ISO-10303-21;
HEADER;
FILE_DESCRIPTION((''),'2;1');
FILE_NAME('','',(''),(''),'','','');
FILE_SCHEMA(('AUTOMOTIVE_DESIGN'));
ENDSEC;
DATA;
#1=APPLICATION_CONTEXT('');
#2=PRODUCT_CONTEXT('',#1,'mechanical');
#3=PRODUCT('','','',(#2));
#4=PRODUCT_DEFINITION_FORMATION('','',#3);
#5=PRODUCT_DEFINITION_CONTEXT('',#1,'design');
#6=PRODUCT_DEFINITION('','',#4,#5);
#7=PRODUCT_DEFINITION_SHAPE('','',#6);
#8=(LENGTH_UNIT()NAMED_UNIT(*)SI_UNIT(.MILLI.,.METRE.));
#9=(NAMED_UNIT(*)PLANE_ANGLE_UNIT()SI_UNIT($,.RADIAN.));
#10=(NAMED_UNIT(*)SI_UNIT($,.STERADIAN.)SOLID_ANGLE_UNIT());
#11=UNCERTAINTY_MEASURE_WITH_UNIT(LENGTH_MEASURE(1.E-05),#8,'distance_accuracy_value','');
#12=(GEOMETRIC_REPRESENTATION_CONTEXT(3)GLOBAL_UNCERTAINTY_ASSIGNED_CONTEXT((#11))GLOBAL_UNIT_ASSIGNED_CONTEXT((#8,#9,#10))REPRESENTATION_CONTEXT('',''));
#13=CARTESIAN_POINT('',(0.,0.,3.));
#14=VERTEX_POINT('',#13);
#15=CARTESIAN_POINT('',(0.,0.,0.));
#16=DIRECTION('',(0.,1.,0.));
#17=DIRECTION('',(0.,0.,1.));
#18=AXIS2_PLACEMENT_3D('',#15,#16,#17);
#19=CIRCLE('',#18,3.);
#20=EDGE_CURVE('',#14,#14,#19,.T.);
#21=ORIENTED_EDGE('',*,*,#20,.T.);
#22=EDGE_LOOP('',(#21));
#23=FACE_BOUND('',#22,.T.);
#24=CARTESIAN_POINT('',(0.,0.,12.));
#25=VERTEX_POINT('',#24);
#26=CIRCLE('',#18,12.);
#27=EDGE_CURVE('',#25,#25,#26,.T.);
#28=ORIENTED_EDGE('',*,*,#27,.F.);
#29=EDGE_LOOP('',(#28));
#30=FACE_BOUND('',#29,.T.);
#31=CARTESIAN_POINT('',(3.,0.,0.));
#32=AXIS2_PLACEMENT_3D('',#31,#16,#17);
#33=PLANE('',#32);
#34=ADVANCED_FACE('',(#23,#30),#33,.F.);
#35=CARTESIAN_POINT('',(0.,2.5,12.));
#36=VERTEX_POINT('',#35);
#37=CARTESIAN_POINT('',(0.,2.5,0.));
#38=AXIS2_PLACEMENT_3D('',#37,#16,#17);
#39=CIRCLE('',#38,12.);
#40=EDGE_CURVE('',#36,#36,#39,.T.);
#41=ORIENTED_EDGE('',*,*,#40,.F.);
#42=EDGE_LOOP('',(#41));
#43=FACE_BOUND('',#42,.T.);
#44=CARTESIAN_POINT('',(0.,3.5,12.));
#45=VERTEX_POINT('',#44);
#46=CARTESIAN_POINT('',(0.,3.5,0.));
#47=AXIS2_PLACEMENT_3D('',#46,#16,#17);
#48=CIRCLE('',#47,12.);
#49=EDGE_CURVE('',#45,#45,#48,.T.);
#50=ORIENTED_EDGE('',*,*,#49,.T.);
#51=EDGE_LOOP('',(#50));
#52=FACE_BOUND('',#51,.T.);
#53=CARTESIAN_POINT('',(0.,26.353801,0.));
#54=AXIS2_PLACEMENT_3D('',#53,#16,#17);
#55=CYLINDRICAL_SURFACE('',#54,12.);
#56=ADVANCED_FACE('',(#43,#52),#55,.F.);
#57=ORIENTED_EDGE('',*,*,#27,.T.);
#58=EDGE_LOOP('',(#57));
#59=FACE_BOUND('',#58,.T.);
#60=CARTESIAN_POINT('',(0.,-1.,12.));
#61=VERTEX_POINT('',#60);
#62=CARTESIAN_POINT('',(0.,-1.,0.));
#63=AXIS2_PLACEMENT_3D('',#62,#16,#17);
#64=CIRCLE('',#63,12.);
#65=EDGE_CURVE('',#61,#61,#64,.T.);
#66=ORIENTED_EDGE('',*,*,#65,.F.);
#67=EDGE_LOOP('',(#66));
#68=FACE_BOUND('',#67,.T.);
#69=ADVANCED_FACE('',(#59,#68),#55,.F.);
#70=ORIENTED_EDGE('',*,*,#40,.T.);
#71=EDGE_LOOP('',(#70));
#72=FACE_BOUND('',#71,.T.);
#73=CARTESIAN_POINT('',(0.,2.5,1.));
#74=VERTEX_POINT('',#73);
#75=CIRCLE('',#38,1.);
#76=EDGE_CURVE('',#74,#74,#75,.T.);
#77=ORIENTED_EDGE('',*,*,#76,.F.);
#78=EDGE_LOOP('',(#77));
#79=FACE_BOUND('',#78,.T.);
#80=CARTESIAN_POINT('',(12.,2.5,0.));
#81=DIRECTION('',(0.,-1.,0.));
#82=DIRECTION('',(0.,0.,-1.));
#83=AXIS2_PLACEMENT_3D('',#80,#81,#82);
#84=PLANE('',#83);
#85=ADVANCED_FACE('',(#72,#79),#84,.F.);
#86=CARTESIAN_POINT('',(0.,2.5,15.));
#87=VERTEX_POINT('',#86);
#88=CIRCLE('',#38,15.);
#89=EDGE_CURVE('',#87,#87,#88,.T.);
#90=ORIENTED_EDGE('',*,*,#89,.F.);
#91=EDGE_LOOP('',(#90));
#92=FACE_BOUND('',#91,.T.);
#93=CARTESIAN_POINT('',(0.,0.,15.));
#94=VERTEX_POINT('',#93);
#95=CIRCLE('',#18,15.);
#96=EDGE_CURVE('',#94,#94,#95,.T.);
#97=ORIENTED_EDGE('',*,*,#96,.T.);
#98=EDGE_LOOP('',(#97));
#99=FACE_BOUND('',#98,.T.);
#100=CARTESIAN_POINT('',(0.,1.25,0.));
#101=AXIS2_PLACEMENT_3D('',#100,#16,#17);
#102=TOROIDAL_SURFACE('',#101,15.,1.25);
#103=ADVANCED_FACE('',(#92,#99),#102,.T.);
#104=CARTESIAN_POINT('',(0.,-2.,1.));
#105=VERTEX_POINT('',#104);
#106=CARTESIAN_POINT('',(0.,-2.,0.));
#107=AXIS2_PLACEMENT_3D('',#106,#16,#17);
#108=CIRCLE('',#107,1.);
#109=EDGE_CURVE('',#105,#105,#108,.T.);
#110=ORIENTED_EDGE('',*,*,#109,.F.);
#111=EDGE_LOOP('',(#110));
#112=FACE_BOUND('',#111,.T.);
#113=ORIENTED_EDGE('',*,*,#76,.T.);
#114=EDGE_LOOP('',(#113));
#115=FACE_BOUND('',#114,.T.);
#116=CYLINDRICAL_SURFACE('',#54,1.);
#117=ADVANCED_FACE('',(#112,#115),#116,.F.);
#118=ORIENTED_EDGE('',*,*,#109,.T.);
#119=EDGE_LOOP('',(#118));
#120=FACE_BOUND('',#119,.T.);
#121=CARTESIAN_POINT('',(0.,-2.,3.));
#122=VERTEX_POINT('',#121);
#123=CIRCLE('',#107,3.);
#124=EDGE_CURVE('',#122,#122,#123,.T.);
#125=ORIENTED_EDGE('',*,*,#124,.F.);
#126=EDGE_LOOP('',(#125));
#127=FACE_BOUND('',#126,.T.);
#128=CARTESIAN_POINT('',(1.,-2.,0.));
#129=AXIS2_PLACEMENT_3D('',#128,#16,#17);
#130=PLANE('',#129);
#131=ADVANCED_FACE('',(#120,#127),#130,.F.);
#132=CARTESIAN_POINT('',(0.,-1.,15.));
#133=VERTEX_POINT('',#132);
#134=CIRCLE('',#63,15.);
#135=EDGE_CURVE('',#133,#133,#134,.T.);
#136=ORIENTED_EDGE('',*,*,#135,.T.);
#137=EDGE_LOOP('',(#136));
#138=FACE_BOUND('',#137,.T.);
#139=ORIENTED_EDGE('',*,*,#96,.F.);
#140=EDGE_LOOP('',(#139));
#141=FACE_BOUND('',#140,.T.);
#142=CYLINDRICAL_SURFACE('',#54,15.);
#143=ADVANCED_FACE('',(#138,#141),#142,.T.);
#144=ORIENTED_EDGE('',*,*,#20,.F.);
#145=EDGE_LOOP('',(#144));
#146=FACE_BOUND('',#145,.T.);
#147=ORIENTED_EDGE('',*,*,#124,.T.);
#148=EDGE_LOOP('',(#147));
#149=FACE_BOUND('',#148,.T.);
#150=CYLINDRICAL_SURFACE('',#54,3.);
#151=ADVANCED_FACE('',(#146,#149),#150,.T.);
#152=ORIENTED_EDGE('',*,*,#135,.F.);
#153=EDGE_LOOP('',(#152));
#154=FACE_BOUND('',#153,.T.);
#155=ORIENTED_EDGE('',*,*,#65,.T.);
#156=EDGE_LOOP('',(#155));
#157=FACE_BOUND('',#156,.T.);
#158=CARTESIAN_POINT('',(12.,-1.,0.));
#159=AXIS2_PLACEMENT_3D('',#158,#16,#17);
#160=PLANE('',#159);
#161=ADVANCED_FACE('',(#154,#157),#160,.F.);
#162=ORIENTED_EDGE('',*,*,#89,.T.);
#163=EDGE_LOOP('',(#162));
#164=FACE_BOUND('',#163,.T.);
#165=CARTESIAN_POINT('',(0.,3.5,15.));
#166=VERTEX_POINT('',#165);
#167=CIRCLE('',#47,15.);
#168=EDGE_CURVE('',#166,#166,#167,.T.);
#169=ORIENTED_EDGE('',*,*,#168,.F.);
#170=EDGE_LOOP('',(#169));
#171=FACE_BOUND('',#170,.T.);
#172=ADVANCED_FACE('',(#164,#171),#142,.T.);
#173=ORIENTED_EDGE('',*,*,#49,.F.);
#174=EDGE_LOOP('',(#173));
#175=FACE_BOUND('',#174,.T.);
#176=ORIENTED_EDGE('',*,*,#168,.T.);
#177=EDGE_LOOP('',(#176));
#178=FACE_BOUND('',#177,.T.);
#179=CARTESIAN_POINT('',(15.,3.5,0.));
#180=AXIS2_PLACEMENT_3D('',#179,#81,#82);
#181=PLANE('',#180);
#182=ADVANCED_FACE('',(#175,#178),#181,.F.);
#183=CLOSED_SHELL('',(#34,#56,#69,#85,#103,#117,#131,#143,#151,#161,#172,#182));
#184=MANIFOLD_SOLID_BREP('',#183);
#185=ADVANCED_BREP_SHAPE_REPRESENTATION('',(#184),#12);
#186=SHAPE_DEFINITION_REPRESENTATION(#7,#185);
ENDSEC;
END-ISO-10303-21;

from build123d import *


with BuildPart() as part:
    # Sketch1 → Revolve1 (revolve)
    with BuildSketch(Plane.XY, mode=Mode.PRIVATE) as revolve1_sk:
        with BuildLine():
            Line((1, -2), (1, 2.5))
            Line((1, 2.5), (12, 2.5))
            Line((12, 2.5), (12, 3.5))
            Line((12, 3.5), (15, 3.5))
            Line((15, 3.5), (15, 2.5))
            ThreePointArc((15, 2.5), (16.25, 1.25), (15, 0))
            Line((15, 0), (15, -1))
            Line((15, -1), (12, -1))
            Line((12, -1), (12, 0))
            Line((12, 0), (3, 0))
            Line((3, 0), (3, -2))
            Line((3, -2), (1, -2))
        make_face()
    revolve(revolve1_sk.sketch.rotate(Axis((0, 26.353801269, 0), (0, -1, 0)), 90), axis=Axis((0, 26.353801269, 0), (0, -1, 0)))


solid = part.part
